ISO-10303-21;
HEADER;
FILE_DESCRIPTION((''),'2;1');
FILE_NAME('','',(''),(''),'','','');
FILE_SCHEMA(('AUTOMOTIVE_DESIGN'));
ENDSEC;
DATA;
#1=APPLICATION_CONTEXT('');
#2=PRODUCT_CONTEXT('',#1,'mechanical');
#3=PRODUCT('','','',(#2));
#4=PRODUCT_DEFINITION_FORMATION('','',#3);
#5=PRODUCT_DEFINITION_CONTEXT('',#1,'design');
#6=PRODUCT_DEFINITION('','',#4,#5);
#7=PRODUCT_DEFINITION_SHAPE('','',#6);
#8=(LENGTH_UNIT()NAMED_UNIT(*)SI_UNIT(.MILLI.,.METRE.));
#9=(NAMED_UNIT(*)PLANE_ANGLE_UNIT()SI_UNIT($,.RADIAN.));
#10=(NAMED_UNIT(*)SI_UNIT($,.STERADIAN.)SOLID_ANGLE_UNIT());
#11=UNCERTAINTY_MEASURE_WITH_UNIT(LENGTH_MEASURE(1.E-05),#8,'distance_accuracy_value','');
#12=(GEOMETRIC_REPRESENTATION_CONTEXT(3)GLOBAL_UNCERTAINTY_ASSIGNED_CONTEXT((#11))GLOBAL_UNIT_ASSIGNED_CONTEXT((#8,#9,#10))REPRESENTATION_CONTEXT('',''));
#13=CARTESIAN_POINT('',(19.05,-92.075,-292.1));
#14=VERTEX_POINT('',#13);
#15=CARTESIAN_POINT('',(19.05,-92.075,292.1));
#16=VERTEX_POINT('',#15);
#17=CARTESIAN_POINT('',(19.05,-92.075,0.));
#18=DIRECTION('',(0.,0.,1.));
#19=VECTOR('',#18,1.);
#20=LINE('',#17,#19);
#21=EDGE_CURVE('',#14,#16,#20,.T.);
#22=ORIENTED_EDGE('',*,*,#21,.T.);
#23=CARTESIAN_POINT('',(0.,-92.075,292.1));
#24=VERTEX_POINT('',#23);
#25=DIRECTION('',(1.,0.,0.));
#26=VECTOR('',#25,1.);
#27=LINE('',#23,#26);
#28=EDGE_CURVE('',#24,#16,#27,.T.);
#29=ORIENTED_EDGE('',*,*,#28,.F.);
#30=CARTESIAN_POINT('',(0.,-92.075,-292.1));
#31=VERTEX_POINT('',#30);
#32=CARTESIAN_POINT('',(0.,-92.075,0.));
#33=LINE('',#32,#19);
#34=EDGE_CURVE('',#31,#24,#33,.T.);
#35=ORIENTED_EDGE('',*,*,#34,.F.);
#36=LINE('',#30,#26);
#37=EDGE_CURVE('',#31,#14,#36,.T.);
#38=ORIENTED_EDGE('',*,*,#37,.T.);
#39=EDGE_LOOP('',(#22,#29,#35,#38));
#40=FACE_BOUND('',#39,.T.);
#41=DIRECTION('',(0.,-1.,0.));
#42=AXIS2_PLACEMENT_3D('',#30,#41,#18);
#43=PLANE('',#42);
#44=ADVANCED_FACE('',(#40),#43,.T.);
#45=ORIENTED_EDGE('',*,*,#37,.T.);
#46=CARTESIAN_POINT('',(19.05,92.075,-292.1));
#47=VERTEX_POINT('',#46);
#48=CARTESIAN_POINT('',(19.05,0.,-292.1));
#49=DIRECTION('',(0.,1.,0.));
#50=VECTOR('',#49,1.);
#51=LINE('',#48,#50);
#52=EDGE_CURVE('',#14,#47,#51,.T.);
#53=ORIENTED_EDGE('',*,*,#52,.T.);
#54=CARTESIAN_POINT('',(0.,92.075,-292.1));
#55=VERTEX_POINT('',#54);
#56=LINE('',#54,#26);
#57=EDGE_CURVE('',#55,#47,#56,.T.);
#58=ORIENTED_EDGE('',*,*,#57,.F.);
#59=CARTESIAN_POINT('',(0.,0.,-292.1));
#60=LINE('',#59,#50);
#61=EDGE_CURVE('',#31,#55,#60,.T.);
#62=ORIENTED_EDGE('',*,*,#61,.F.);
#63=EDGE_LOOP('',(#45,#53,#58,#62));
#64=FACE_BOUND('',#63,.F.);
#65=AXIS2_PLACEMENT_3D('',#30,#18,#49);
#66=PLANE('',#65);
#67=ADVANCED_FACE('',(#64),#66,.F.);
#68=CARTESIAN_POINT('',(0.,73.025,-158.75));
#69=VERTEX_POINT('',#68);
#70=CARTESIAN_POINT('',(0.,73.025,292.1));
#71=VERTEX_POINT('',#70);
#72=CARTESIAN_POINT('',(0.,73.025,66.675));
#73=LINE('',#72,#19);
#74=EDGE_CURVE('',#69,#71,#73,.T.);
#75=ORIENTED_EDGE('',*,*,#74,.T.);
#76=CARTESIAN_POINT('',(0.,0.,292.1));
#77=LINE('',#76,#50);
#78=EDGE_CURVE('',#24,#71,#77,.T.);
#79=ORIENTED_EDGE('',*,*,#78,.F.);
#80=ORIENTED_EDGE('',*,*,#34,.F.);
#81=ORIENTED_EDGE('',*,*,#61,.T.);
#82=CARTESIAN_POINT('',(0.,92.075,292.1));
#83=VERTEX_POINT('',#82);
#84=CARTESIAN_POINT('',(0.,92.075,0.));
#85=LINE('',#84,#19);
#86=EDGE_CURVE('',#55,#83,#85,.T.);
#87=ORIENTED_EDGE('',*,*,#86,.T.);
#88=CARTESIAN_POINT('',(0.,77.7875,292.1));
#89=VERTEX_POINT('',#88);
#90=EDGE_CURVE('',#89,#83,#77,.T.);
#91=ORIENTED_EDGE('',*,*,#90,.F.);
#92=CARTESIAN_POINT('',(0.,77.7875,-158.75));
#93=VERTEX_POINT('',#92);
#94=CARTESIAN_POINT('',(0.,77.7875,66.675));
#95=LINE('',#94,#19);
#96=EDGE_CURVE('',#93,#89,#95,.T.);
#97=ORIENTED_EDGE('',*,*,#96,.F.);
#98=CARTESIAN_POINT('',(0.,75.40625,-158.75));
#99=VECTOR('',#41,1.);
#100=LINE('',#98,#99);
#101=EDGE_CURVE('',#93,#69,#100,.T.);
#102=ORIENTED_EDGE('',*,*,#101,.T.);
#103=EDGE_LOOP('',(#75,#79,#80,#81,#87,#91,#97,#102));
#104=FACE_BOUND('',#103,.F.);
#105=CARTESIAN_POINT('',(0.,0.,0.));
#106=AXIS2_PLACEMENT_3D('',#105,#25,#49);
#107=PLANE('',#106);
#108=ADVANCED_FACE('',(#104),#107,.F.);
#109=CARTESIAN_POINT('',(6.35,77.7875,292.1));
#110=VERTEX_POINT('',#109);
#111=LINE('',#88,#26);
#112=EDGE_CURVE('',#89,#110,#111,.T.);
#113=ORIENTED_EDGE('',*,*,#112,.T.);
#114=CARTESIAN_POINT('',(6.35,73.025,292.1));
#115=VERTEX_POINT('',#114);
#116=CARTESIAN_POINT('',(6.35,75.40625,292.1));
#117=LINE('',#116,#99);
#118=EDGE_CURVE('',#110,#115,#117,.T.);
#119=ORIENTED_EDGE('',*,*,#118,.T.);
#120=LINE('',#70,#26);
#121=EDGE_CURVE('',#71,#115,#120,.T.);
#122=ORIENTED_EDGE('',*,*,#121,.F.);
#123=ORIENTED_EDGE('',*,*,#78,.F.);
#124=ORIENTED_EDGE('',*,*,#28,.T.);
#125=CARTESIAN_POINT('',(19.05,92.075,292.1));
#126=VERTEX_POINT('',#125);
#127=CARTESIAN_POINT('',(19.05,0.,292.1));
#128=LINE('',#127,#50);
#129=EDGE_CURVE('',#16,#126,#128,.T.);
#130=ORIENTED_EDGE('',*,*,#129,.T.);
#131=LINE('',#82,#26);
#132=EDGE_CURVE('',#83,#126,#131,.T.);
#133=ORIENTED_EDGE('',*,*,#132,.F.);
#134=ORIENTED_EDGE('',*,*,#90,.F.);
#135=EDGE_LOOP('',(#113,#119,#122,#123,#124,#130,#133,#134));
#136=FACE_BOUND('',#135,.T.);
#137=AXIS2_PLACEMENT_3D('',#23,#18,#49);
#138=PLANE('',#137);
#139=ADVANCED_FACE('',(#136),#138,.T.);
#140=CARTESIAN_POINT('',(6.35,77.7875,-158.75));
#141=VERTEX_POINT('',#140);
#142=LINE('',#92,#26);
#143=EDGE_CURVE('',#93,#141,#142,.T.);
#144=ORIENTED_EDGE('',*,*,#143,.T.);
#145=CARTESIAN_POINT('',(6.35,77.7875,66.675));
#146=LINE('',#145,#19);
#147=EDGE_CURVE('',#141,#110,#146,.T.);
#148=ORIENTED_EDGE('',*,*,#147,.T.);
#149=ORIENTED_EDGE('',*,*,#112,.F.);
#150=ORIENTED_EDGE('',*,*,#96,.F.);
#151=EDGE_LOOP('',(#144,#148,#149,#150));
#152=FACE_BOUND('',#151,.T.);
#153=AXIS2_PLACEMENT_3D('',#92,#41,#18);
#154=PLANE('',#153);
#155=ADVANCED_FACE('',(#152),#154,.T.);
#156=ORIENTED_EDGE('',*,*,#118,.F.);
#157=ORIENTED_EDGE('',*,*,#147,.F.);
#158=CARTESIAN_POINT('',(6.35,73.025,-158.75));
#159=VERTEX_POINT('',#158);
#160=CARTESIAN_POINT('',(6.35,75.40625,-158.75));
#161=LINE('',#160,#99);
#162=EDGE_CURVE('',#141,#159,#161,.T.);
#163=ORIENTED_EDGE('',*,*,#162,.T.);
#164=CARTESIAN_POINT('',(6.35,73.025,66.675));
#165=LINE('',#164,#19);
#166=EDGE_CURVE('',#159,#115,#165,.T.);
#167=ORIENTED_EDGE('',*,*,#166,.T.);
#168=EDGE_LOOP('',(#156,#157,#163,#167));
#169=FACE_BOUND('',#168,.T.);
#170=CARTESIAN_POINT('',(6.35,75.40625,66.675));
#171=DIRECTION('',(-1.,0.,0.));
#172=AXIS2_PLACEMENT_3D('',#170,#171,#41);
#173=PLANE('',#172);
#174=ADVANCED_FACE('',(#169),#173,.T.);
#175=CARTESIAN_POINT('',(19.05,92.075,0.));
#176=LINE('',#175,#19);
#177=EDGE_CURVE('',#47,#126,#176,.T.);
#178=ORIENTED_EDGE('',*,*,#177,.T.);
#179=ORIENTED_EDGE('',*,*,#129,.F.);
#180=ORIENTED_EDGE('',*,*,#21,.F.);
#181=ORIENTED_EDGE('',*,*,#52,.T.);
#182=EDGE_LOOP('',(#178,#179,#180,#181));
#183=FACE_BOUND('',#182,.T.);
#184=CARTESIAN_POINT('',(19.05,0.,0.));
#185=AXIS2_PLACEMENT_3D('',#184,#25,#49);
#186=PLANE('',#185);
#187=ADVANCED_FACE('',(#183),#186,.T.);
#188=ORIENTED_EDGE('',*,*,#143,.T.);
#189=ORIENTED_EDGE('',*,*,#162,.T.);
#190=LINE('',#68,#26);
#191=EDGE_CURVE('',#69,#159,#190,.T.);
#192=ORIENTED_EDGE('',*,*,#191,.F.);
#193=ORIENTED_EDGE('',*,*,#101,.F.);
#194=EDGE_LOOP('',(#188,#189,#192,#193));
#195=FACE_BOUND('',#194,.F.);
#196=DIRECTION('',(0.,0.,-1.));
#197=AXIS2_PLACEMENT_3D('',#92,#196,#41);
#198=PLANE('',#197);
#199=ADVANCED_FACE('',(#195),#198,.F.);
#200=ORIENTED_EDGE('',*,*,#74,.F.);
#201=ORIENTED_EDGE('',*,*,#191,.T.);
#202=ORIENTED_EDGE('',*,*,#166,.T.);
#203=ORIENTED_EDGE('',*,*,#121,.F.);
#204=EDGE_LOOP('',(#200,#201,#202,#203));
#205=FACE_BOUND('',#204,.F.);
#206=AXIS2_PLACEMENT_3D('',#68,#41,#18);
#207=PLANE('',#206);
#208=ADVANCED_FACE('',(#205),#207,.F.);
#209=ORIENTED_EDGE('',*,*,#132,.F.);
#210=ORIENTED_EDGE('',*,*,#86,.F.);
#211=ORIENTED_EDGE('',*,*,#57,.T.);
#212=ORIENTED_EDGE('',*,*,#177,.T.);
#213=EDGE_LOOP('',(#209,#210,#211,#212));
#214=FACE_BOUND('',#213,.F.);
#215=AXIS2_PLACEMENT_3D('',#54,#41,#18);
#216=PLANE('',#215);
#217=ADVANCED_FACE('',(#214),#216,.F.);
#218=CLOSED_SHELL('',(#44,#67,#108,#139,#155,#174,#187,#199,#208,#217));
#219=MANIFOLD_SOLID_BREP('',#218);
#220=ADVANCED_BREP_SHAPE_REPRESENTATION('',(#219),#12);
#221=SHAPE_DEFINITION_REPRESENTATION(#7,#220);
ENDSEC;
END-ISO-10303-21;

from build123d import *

# Parameters (mm, degrees)
F0_W     = 184.15
F0_H     = 584.2
F1_DEPTH = 19.05
F2_W     = 4.7625
F2_H     = 450.85
F3_DEPTH = 6.35


with BuildPart() as f1:
    # F0 (on Right) → F1 (new body)
    with BuildSketch(Plane.YZ):
        Rectangle(F0_W, F0_H)
    extrude(amount=F1_DEPTH)

    # F2 (on face) → F3 (cut)
    with BuildSketch(Plane(origin=(0, 0, 0), x_dir=(0, -1, 0), z_dir=(-1, 0, 0))):
        with Locations((-75.40625, 66.675)):
            Rectangle(F2_W, F2_H)
    extrude(amount=-F3_DEPTH, mode=Mode.SUBTRACT)


solid = f1.part
